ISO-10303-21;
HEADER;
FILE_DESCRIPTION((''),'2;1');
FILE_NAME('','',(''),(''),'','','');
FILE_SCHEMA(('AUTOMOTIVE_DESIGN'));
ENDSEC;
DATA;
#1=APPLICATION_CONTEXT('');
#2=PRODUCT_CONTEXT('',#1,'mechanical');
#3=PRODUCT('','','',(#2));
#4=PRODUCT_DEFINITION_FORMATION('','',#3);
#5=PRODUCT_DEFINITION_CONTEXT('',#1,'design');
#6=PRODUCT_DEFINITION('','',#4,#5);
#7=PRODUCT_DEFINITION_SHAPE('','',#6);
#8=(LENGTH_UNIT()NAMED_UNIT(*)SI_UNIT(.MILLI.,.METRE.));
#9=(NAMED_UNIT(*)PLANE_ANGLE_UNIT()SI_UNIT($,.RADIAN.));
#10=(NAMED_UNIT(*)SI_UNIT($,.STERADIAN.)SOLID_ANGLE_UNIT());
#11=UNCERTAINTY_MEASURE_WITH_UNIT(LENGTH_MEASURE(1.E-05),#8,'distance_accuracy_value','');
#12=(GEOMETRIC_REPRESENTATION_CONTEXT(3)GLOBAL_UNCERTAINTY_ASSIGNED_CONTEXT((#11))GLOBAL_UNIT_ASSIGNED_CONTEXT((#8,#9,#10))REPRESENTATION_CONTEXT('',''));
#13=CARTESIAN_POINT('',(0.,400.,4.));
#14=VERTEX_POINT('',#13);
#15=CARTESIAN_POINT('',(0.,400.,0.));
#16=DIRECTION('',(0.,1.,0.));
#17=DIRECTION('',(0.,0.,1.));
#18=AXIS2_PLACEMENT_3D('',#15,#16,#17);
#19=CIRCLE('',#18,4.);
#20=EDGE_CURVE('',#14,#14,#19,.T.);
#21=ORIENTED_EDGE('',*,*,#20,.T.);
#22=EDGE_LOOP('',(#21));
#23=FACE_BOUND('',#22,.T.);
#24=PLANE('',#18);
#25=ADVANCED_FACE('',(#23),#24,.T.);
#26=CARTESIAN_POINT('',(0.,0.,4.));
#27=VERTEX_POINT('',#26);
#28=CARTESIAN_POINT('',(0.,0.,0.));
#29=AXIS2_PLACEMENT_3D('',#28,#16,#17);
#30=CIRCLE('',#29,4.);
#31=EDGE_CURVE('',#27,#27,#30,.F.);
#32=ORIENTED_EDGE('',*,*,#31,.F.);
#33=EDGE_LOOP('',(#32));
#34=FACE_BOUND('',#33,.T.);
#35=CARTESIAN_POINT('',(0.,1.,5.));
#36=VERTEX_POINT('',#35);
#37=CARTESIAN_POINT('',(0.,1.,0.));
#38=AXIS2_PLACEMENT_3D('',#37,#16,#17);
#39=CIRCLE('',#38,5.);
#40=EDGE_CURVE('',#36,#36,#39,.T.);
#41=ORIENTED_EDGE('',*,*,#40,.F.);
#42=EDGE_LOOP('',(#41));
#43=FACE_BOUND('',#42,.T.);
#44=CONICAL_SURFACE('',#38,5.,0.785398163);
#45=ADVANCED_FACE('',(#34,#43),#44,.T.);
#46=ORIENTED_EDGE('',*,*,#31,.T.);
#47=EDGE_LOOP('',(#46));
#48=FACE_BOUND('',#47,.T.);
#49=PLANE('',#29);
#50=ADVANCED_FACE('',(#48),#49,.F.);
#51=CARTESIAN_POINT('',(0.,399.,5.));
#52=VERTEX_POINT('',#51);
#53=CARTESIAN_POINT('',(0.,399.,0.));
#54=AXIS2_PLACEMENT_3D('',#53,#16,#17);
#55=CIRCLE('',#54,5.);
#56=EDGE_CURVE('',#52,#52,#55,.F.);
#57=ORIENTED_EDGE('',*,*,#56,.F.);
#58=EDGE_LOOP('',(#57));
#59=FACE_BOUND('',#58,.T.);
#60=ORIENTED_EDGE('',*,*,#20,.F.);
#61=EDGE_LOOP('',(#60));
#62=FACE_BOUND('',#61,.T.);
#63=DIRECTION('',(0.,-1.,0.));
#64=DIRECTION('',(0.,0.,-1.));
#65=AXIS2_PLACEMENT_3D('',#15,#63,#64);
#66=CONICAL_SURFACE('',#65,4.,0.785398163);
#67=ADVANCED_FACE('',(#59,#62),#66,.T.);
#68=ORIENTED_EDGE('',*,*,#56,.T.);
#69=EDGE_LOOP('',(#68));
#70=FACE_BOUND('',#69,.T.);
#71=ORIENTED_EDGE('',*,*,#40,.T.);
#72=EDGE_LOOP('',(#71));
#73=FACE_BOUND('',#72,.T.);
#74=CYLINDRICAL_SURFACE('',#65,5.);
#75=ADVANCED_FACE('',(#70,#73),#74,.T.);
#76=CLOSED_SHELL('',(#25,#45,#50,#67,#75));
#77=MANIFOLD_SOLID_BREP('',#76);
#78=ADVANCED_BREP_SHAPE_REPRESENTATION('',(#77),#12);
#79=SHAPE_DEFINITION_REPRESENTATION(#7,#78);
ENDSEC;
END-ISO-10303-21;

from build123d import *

# Parameters (mm, degrees)
SKETCH_1_R      = 5
EXTRUDE_1_DEPTH = 400
CHAMFER_1_SIZE  = 1


with BuildPart() as part:
    # 草图1 → 凸台-拉伸1 (new body)
    with BuildSketch(Plane(origin=(0, 0, 0), x_dir=(1, 0, 0), z_dir=(0, 1, 0))):
        with Locations(Location((0, 0, 0), (0, 0, 270))):
            Circle(SKETCH_1_R)
    extrude(amount=EXTRUDE_1_DEPTH)

    # 倒角1
    chamfer_1_edges = [part.edges().sort_by_distance(p)[0] for p in [
        (0, 0, -5),
        (0, 400, -5),
    ]]
    chamfer(chamfer_1_edges, length=CHAMFER_1_SIZE)


solid = part.part
